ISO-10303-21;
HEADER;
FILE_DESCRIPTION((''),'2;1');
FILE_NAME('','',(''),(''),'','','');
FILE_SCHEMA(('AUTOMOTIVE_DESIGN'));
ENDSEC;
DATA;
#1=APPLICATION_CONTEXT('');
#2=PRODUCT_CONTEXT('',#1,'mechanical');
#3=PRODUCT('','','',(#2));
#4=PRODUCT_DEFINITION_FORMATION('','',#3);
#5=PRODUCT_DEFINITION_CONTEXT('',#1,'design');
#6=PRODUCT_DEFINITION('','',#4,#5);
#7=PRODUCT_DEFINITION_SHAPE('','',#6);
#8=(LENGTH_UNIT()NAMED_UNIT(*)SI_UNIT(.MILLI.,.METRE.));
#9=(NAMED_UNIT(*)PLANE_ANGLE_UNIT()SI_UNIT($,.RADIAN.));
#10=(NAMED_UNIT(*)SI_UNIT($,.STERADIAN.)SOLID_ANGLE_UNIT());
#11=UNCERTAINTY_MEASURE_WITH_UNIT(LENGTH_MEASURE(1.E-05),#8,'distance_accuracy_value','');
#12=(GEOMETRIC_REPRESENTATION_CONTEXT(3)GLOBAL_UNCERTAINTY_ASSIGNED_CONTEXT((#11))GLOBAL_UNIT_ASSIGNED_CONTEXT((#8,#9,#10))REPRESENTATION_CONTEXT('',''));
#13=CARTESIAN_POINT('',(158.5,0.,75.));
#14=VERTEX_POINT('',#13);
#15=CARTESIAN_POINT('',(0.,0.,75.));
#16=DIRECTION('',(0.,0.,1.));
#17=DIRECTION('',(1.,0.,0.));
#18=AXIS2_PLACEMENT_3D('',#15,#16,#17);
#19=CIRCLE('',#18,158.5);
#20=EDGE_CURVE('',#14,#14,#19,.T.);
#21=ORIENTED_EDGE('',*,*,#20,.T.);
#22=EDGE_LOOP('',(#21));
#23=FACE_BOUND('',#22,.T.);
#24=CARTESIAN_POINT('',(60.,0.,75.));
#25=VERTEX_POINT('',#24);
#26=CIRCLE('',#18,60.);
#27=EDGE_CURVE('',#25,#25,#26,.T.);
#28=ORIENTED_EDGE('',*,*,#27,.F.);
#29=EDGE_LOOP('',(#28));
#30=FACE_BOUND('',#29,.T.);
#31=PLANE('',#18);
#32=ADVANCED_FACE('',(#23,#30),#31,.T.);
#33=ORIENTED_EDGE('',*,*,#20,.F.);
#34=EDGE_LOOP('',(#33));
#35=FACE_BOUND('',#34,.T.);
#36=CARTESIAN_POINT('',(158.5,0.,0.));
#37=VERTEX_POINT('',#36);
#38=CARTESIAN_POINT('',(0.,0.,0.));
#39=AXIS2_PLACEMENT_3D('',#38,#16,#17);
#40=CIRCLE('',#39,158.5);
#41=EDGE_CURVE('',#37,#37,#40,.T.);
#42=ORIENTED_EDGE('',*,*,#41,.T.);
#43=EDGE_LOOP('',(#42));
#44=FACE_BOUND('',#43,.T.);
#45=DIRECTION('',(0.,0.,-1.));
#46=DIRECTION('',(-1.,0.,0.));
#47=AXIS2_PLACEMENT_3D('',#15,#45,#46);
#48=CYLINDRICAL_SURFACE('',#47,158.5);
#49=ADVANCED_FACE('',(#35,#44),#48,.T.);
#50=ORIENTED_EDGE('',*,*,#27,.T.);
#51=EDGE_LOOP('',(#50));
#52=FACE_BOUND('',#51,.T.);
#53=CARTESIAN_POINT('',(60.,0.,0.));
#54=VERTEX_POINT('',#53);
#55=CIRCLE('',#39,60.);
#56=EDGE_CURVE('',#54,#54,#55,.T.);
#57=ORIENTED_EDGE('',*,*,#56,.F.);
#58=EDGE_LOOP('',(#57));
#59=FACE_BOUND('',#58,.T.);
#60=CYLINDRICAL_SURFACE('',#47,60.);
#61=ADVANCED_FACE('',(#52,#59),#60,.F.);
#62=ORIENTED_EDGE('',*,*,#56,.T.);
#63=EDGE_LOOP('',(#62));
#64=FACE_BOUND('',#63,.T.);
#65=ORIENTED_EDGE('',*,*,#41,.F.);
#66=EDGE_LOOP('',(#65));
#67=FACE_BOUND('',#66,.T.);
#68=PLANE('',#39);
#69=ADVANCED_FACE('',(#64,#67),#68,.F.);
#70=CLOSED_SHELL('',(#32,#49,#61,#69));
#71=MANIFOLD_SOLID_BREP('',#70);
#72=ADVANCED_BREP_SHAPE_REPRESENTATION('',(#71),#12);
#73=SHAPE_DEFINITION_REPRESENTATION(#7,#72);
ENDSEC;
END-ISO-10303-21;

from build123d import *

# Parameters (mm, degrees)
SKETCH_1_R      = 158.5
SKETCH_1_R_2    = 60
EXTRUDE_1_DEPTH = 75


with BuildPart() as part:
    # Эскиз1 → Бобышка-Вытянуть1 (new body)
    with BuildSketch(Plane.XY):
        Circle(SKETCH_1_R)
        Circle(SKETCH_1_R_2, mode=Mode.SUBTRACT)
    extrude(amount=EXTRUDE_1_DEPTH)


solid = part.part
